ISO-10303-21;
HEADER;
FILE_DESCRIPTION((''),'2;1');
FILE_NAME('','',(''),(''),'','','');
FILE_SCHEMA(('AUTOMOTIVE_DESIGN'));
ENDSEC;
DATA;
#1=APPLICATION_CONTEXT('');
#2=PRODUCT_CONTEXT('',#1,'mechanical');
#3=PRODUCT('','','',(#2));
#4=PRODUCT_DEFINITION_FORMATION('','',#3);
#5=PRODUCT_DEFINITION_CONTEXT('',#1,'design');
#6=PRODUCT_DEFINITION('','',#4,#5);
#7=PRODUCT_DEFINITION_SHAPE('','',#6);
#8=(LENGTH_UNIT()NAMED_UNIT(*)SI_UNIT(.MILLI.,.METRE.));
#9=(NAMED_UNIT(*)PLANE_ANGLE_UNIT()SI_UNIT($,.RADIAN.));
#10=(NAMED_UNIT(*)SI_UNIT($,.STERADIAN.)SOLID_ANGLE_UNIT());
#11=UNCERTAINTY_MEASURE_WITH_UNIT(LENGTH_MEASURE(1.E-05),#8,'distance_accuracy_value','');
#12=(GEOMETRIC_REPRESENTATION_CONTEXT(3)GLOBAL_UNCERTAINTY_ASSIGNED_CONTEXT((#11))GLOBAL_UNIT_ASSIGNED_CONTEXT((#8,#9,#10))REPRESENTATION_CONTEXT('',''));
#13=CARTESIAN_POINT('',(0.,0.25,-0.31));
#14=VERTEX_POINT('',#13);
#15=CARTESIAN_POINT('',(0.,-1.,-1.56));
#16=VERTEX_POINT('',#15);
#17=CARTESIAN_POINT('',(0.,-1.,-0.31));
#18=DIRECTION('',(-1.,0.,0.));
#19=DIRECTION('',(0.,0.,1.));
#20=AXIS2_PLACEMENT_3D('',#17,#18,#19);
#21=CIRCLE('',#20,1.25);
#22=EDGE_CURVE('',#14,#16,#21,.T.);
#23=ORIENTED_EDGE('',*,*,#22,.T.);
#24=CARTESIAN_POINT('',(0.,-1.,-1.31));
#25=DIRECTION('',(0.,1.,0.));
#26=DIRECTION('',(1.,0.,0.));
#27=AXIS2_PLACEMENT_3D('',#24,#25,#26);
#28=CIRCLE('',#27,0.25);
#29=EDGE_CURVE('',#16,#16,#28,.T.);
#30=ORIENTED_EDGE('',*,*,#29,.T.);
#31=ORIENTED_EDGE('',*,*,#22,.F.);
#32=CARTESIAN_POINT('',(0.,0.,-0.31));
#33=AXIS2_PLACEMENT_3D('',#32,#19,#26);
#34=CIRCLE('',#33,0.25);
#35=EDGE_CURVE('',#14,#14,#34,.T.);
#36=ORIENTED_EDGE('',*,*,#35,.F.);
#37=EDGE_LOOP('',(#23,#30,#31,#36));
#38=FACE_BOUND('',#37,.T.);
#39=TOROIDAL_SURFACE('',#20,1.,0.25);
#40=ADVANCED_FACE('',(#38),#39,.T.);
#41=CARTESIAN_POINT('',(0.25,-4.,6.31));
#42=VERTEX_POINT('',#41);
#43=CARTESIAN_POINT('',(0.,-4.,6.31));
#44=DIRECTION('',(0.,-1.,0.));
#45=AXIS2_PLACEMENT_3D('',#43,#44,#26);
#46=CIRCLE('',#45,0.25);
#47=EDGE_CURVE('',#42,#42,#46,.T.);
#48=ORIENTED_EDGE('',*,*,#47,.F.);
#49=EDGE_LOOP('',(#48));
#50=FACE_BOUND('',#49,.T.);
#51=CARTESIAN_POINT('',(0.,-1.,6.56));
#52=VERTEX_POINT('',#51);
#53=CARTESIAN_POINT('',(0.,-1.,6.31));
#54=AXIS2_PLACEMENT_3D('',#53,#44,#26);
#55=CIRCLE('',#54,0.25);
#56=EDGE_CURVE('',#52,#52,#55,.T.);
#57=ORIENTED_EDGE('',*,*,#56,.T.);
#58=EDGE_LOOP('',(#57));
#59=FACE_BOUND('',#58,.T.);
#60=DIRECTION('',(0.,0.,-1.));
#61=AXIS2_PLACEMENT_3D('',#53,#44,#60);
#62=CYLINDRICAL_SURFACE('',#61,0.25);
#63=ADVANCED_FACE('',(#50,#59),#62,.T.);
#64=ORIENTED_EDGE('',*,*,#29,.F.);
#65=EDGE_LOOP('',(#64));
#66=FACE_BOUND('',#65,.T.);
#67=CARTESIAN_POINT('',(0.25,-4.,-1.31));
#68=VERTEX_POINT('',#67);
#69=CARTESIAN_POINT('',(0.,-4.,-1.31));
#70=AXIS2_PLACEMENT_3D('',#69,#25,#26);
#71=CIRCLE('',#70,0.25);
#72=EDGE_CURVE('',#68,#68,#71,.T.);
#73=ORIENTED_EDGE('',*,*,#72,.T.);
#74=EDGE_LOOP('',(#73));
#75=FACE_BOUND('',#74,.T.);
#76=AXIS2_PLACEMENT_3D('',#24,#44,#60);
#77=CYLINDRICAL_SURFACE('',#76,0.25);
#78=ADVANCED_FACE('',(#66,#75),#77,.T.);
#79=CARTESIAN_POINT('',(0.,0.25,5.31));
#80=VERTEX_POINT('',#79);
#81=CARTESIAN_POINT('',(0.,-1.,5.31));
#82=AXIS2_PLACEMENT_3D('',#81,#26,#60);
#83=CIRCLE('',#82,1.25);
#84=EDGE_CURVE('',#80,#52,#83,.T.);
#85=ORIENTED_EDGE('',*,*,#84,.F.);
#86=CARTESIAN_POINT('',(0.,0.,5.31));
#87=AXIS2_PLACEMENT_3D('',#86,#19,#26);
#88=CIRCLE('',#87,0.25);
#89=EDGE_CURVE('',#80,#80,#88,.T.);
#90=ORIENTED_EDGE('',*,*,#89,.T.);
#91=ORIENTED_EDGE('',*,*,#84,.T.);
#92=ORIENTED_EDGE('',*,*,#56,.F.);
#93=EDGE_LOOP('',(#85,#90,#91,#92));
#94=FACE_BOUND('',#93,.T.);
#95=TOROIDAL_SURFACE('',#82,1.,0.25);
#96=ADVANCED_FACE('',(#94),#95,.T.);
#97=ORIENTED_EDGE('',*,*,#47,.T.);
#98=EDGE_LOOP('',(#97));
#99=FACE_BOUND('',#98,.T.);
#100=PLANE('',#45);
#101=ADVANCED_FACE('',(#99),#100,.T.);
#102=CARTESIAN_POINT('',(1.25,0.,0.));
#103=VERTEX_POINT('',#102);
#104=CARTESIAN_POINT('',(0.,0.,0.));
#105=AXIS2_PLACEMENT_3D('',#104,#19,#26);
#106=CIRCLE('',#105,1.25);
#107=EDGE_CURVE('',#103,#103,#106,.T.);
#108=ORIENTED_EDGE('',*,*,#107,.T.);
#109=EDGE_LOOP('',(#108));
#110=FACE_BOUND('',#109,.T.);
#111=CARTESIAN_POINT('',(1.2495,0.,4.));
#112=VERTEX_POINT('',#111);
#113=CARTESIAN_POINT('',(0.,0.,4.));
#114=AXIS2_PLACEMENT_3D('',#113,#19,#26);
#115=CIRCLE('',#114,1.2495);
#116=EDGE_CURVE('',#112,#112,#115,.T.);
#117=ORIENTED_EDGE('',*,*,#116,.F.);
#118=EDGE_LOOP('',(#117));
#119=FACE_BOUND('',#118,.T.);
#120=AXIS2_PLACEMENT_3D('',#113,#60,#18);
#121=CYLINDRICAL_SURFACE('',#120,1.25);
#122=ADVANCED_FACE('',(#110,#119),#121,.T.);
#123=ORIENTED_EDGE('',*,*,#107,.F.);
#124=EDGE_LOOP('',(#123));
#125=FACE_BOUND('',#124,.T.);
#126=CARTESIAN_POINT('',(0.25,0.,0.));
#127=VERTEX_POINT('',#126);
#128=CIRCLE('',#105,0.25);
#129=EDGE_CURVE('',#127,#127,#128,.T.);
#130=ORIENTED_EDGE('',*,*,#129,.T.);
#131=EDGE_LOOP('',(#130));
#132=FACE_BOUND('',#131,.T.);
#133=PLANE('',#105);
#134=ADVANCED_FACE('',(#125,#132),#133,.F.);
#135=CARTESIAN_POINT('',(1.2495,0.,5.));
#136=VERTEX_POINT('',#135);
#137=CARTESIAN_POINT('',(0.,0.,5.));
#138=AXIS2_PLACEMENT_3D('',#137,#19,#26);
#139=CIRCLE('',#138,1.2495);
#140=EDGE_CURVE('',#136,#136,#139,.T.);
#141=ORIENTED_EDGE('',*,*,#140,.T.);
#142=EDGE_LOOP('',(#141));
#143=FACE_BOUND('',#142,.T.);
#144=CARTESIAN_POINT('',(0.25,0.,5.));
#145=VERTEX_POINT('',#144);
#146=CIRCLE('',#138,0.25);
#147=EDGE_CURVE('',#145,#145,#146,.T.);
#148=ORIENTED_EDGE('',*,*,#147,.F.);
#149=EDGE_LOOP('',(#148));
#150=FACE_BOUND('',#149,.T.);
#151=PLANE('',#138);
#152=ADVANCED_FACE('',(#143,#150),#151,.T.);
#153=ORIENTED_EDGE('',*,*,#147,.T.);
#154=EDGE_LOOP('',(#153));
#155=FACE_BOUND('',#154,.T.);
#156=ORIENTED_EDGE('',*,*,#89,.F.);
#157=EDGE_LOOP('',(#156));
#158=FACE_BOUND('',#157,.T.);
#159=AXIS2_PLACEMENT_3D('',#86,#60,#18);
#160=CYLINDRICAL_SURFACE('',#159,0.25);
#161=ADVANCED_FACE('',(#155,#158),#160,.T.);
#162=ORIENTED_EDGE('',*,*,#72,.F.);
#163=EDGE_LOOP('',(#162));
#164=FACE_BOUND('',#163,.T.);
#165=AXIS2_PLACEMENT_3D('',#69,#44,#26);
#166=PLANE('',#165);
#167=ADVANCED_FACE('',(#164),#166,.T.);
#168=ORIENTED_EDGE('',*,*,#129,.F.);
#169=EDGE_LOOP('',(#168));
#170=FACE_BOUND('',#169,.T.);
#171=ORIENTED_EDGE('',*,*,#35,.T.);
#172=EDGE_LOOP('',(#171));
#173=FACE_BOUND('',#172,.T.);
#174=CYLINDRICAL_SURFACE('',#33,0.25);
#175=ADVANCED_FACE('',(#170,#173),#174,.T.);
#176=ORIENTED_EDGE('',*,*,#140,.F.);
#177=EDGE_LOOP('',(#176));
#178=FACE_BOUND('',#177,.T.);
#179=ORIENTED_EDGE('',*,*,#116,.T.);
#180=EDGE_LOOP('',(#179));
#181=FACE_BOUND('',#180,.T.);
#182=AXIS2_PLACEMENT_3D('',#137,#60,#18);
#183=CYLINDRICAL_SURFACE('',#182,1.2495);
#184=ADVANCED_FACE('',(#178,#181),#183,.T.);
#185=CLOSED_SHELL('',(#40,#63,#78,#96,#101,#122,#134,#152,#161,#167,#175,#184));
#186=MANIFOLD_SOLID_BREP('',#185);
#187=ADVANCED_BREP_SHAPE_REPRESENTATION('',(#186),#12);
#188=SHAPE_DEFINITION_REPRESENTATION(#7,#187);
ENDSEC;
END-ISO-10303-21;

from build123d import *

# Parameters (mm, degrees)
ESQUISSE1_R        = 1.25
BOSS_EXTRU_1_DEPTH = 4
ESQUISSE2_R        = 1.2495
BOSS_EXTRU_2_DEPTH = 1
ESQUISSE4_R        = 0.25


with BuildPart() as part:
    # Esquisse1 → Boss.-Extru.1 (new body)
    with BuildSketch(Plane.XY):
        Circle(ESQUISSE1_R)
    extrude(amount=BOSS_EXTRU_1_DEPTH)

    # Esquisse2 → Boss.-Extru.2 (add)
    with BuildSketch(Plane.XY.offset(4)):
        Circle(ESQUISSE2_R)
    extrude(amount=BOSS_EXTRU_2_DEPTH)

    # Balayage1: sweep along a path in Esquisse3
    with BuildLine(Plane(origin=(0, 0, 0), x_dir=(0, 0, -1), z_dir=(1, 0, 0))) as balayage1_path:
        Line((-5, 0), (-5.31, 0))
        ThreePointArc((-5.31, 0), (-6.017106781, -0.292893219), (-6.31, -1))
        Line((-6.31, -1), (-6.31, -4))
    # Esquisse4 → Balayage1 (sweep)
    with BuildSketch(Plane.XY.offset(5)):
        Circle(ESQUISSE4_R)
    balayage1 = sweep(path=balayage1_path.line)

    # Symétrie1: Balayage1 across plane
    add(balayage1.mirror(Plane.XY.offset(2.5)))


solid = part.part
